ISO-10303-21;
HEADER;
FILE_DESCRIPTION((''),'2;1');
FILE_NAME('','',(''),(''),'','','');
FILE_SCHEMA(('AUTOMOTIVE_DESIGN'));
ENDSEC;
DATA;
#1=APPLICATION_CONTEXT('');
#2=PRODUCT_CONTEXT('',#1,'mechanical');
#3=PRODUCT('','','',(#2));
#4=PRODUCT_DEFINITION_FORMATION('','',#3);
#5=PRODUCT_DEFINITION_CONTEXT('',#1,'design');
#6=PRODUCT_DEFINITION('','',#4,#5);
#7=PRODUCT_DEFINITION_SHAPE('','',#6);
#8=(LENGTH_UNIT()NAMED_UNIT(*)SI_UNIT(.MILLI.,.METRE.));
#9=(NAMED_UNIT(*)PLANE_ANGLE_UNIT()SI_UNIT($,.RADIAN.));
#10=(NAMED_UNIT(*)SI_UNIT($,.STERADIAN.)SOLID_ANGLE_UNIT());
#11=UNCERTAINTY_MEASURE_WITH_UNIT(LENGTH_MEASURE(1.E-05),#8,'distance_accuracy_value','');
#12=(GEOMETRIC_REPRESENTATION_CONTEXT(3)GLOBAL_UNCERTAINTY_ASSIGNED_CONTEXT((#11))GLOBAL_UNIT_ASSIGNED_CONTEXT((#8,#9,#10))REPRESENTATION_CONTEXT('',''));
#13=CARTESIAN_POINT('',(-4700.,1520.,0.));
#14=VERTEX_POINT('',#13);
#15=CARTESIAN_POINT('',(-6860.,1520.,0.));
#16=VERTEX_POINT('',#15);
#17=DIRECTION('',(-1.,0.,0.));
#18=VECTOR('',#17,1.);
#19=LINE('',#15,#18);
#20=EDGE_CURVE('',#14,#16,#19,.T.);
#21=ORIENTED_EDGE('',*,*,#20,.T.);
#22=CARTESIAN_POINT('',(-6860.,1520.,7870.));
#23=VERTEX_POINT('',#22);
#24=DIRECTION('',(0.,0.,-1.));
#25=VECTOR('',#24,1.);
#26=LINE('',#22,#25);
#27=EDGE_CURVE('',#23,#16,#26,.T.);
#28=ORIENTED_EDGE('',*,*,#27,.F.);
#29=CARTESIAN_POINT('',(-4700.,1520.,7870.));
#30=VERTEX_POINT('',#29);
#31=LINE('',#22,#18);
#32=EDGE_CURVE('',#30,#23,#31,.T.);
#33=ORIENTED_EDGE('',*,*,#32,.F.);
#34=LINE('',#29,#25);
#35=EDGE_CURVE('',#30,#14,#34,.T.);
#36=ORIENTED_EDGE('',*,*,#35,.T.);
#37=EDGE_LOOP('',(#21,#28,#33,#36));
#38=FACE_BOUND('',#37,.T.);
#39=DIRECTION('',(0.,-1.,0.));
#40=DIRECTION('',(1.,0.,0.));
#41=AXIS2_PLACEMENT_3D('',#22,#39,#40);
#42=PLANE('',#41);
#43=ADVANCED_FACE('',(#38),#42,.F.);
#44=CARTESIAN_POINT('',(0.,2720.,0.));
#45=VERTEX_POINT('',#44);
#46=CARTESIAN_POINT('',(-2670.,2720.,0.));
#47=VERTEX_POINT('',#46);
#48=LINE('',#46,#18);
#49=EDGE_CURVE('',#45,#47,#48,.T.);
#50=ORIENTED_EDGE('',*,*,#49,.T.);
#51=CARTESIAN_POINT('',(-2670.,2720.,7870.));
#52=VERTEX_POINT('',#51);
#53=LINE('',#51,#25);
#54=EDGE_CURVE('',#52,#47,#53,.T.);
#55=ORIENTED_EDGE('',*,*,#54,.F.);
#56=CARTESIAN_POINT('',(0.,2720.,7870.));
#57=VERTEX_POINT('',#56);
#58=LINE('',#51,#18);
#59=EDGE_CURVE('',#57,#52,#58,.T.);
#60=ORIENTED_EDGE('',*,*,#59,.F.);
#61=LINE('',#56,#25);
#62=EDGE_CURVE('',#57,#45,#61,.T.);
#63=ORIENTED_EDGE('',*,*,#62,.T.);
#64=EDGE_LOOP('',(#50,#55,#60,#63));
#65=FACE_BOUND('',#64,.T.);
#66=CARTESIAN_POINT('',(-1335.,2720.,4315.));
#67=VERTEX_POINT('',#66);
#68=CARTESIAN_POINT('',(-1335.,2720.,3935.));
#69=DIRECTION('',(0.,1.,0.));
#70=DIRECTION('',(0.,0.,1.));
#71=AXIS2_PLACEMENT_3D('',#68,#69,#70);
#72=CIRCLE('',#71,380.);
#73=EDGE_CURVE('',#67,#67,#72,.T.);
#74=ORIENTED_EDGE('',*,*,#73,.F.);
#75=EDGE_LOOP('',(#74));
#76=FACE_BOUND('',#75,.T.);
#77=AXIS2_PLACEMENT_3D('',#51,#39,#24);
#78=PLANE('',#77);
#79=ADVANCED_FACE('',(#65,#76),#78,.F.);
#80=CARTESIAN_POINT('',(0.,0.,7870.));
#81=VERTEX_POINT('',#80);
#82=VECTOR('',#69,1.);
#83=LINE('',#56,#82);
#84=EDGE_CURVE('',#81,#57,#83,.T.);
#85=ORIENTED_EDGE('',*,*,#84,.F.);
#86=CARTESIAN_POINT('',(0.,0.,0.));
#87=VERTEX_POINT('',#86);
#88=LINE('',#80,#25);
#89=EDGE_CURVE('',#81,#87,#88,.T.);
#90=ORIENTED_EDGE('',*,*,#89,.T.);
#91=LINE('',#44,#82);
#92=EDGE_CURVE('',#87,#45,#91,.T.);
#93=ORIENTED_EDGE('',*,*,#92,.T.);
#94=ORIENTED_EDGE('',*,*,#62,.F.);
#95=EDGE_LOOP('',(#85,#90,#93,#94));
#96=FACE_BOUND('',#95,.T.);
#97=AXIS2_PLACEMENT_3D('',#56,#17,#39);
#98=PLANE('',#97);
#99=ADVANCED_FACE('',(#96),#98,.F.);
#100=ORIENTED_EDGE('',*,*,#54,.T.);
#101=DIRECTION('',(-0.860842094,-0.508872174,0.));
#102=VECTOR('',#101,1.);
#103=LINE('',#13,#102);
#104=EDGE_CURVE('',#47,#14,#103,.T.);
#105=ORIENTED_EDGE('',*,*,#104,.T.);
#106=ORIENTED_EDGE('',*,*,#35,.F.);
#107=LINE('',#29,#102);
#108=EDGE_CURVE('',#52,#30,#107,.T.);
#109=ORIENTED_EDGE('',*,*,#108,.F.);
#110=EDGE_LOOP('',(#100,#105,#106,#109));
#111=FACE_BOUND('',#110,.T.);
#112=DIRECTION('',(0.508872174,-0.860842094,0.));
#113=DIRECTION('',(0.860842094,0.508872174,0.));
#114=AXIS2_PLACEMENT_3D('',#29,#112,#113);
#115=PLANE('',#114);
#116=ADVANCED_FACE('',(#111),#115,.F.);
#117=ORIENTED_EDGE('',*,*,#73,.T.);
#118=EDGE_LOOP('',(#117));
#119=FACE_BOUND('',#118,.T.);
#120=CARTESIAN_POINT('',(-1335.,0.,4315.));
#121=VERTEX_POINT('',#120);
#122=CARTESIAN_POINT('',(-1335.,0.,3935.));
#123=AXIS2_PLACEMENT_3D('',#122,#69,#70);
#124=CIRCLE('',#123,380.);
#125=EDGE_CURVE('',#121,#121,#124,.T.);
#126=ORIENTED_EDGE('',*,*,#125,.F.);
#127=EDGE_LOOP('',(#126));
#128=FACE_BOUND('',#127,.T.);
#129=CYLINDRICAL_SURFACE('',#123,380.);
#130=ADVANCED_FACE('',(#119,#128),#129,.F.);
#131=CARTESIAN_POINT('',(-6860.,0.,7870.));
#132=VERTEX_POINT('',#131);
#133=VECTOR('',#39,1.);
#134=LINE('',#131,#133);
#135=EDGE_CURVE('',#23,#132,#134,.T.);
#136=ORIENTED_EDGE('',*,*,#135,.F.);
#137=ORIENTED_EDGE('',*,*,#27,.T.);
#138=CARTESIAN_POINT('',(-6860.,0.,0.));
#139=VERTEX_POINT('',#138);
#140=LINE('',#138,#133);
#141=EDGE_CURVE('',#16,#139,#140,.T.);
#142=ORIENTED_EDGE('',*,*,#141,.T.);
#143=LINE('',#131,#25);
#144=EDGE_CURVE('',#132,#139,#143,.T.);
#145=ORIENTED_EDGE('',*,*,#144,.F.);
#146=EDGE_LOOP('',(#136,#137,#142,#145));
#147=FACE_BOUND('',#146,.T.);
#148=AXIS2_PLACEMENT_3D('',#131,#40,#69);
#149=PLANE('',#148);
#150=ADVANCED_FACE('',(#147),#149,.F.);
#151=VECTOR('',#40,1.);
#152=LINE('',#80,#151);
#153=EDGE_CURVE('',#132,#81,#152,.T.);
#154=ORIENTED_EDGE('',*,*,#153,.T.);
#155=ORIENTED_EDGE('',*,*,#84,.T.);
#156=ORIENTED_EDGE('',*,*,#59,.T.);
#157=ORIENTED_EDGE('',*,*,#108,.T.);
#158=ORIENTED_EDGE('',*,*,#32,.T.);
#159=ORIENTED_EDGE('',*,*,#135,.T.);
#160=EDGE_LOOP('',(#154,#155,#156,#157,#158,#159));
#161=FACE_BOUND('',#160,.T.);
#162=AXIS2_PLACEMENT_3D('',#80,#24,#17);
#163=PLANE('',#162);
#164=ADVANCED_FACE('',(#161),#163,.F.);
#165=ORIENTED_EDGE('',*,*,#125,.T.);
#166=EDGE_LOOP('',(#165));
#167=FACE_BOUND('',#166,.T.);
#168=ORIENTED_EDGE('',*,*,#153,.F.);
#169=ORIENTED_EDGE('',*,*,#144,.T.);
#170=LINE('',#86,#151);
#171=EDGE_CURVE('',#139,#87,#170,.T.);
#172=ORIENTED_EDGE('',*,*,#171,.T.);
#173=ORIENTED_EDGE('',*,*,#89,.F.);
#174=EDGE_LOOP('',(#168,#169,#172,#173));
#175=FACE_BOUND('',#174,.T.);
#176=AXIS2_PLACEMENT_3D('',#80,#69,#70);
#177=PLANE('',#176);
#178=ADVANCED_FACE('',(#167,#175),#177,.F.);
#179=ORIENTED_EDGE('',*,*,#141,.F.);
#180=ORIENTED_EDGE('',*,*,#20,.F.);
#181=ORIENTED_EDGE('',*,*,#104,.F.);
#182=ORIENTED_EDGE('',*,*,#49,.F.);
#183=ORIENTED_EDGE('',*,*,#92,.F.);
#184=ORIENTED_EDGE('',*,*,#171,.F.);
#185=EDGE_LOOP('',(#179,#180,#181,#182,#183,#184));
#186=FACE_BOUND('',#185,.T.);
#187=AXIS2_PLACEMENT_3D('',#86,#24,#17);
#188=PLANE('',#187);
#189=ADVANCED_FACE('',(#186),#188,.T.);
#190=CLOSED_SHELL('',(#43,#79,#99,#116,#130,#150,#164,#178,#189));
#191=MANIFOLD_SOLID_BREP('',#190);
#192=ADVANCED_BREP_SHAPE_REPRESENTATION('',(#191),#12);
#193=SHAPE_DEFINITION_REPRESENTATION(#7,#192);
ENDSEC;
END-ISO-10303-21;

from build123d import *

# Parameters (mm, degrees)
BOSS_EXTRUDE1_DEPTH = 7870
SKETCH2_R           = 380
CUT_EXTRUDE1_DEPTH  = 10789.646810421


with BuildPart() as part:
    # Sketch1 → Boss-Extrude1 (new body)
    with BuildSketch(Plane.XY):
        Polygon((0, 0), (-6860, 0), (-6860, 1520), (-4700, 1520), (-2670, 2720), (0, 2720), align=None)
    extrude(amount=BOSS_EXTRUDE1_DEPTH)

    # Sketch2 → Cut-Extrude1 (cut, through all)
    with BuildSketch(Plane(origin=(0, 2720, 0), x_dir=(1, 0, 0), z_dir=(0, 1, 0))):
        with Locations(Location((-1335, -3935, 0), (0, 0, 270))):
            Circle(SKETCH2_R)
    extrude(amount=-CUT_EXTRUDE1_DEPTH, mode=Mode.SUBTRACT)


solid = part.part
